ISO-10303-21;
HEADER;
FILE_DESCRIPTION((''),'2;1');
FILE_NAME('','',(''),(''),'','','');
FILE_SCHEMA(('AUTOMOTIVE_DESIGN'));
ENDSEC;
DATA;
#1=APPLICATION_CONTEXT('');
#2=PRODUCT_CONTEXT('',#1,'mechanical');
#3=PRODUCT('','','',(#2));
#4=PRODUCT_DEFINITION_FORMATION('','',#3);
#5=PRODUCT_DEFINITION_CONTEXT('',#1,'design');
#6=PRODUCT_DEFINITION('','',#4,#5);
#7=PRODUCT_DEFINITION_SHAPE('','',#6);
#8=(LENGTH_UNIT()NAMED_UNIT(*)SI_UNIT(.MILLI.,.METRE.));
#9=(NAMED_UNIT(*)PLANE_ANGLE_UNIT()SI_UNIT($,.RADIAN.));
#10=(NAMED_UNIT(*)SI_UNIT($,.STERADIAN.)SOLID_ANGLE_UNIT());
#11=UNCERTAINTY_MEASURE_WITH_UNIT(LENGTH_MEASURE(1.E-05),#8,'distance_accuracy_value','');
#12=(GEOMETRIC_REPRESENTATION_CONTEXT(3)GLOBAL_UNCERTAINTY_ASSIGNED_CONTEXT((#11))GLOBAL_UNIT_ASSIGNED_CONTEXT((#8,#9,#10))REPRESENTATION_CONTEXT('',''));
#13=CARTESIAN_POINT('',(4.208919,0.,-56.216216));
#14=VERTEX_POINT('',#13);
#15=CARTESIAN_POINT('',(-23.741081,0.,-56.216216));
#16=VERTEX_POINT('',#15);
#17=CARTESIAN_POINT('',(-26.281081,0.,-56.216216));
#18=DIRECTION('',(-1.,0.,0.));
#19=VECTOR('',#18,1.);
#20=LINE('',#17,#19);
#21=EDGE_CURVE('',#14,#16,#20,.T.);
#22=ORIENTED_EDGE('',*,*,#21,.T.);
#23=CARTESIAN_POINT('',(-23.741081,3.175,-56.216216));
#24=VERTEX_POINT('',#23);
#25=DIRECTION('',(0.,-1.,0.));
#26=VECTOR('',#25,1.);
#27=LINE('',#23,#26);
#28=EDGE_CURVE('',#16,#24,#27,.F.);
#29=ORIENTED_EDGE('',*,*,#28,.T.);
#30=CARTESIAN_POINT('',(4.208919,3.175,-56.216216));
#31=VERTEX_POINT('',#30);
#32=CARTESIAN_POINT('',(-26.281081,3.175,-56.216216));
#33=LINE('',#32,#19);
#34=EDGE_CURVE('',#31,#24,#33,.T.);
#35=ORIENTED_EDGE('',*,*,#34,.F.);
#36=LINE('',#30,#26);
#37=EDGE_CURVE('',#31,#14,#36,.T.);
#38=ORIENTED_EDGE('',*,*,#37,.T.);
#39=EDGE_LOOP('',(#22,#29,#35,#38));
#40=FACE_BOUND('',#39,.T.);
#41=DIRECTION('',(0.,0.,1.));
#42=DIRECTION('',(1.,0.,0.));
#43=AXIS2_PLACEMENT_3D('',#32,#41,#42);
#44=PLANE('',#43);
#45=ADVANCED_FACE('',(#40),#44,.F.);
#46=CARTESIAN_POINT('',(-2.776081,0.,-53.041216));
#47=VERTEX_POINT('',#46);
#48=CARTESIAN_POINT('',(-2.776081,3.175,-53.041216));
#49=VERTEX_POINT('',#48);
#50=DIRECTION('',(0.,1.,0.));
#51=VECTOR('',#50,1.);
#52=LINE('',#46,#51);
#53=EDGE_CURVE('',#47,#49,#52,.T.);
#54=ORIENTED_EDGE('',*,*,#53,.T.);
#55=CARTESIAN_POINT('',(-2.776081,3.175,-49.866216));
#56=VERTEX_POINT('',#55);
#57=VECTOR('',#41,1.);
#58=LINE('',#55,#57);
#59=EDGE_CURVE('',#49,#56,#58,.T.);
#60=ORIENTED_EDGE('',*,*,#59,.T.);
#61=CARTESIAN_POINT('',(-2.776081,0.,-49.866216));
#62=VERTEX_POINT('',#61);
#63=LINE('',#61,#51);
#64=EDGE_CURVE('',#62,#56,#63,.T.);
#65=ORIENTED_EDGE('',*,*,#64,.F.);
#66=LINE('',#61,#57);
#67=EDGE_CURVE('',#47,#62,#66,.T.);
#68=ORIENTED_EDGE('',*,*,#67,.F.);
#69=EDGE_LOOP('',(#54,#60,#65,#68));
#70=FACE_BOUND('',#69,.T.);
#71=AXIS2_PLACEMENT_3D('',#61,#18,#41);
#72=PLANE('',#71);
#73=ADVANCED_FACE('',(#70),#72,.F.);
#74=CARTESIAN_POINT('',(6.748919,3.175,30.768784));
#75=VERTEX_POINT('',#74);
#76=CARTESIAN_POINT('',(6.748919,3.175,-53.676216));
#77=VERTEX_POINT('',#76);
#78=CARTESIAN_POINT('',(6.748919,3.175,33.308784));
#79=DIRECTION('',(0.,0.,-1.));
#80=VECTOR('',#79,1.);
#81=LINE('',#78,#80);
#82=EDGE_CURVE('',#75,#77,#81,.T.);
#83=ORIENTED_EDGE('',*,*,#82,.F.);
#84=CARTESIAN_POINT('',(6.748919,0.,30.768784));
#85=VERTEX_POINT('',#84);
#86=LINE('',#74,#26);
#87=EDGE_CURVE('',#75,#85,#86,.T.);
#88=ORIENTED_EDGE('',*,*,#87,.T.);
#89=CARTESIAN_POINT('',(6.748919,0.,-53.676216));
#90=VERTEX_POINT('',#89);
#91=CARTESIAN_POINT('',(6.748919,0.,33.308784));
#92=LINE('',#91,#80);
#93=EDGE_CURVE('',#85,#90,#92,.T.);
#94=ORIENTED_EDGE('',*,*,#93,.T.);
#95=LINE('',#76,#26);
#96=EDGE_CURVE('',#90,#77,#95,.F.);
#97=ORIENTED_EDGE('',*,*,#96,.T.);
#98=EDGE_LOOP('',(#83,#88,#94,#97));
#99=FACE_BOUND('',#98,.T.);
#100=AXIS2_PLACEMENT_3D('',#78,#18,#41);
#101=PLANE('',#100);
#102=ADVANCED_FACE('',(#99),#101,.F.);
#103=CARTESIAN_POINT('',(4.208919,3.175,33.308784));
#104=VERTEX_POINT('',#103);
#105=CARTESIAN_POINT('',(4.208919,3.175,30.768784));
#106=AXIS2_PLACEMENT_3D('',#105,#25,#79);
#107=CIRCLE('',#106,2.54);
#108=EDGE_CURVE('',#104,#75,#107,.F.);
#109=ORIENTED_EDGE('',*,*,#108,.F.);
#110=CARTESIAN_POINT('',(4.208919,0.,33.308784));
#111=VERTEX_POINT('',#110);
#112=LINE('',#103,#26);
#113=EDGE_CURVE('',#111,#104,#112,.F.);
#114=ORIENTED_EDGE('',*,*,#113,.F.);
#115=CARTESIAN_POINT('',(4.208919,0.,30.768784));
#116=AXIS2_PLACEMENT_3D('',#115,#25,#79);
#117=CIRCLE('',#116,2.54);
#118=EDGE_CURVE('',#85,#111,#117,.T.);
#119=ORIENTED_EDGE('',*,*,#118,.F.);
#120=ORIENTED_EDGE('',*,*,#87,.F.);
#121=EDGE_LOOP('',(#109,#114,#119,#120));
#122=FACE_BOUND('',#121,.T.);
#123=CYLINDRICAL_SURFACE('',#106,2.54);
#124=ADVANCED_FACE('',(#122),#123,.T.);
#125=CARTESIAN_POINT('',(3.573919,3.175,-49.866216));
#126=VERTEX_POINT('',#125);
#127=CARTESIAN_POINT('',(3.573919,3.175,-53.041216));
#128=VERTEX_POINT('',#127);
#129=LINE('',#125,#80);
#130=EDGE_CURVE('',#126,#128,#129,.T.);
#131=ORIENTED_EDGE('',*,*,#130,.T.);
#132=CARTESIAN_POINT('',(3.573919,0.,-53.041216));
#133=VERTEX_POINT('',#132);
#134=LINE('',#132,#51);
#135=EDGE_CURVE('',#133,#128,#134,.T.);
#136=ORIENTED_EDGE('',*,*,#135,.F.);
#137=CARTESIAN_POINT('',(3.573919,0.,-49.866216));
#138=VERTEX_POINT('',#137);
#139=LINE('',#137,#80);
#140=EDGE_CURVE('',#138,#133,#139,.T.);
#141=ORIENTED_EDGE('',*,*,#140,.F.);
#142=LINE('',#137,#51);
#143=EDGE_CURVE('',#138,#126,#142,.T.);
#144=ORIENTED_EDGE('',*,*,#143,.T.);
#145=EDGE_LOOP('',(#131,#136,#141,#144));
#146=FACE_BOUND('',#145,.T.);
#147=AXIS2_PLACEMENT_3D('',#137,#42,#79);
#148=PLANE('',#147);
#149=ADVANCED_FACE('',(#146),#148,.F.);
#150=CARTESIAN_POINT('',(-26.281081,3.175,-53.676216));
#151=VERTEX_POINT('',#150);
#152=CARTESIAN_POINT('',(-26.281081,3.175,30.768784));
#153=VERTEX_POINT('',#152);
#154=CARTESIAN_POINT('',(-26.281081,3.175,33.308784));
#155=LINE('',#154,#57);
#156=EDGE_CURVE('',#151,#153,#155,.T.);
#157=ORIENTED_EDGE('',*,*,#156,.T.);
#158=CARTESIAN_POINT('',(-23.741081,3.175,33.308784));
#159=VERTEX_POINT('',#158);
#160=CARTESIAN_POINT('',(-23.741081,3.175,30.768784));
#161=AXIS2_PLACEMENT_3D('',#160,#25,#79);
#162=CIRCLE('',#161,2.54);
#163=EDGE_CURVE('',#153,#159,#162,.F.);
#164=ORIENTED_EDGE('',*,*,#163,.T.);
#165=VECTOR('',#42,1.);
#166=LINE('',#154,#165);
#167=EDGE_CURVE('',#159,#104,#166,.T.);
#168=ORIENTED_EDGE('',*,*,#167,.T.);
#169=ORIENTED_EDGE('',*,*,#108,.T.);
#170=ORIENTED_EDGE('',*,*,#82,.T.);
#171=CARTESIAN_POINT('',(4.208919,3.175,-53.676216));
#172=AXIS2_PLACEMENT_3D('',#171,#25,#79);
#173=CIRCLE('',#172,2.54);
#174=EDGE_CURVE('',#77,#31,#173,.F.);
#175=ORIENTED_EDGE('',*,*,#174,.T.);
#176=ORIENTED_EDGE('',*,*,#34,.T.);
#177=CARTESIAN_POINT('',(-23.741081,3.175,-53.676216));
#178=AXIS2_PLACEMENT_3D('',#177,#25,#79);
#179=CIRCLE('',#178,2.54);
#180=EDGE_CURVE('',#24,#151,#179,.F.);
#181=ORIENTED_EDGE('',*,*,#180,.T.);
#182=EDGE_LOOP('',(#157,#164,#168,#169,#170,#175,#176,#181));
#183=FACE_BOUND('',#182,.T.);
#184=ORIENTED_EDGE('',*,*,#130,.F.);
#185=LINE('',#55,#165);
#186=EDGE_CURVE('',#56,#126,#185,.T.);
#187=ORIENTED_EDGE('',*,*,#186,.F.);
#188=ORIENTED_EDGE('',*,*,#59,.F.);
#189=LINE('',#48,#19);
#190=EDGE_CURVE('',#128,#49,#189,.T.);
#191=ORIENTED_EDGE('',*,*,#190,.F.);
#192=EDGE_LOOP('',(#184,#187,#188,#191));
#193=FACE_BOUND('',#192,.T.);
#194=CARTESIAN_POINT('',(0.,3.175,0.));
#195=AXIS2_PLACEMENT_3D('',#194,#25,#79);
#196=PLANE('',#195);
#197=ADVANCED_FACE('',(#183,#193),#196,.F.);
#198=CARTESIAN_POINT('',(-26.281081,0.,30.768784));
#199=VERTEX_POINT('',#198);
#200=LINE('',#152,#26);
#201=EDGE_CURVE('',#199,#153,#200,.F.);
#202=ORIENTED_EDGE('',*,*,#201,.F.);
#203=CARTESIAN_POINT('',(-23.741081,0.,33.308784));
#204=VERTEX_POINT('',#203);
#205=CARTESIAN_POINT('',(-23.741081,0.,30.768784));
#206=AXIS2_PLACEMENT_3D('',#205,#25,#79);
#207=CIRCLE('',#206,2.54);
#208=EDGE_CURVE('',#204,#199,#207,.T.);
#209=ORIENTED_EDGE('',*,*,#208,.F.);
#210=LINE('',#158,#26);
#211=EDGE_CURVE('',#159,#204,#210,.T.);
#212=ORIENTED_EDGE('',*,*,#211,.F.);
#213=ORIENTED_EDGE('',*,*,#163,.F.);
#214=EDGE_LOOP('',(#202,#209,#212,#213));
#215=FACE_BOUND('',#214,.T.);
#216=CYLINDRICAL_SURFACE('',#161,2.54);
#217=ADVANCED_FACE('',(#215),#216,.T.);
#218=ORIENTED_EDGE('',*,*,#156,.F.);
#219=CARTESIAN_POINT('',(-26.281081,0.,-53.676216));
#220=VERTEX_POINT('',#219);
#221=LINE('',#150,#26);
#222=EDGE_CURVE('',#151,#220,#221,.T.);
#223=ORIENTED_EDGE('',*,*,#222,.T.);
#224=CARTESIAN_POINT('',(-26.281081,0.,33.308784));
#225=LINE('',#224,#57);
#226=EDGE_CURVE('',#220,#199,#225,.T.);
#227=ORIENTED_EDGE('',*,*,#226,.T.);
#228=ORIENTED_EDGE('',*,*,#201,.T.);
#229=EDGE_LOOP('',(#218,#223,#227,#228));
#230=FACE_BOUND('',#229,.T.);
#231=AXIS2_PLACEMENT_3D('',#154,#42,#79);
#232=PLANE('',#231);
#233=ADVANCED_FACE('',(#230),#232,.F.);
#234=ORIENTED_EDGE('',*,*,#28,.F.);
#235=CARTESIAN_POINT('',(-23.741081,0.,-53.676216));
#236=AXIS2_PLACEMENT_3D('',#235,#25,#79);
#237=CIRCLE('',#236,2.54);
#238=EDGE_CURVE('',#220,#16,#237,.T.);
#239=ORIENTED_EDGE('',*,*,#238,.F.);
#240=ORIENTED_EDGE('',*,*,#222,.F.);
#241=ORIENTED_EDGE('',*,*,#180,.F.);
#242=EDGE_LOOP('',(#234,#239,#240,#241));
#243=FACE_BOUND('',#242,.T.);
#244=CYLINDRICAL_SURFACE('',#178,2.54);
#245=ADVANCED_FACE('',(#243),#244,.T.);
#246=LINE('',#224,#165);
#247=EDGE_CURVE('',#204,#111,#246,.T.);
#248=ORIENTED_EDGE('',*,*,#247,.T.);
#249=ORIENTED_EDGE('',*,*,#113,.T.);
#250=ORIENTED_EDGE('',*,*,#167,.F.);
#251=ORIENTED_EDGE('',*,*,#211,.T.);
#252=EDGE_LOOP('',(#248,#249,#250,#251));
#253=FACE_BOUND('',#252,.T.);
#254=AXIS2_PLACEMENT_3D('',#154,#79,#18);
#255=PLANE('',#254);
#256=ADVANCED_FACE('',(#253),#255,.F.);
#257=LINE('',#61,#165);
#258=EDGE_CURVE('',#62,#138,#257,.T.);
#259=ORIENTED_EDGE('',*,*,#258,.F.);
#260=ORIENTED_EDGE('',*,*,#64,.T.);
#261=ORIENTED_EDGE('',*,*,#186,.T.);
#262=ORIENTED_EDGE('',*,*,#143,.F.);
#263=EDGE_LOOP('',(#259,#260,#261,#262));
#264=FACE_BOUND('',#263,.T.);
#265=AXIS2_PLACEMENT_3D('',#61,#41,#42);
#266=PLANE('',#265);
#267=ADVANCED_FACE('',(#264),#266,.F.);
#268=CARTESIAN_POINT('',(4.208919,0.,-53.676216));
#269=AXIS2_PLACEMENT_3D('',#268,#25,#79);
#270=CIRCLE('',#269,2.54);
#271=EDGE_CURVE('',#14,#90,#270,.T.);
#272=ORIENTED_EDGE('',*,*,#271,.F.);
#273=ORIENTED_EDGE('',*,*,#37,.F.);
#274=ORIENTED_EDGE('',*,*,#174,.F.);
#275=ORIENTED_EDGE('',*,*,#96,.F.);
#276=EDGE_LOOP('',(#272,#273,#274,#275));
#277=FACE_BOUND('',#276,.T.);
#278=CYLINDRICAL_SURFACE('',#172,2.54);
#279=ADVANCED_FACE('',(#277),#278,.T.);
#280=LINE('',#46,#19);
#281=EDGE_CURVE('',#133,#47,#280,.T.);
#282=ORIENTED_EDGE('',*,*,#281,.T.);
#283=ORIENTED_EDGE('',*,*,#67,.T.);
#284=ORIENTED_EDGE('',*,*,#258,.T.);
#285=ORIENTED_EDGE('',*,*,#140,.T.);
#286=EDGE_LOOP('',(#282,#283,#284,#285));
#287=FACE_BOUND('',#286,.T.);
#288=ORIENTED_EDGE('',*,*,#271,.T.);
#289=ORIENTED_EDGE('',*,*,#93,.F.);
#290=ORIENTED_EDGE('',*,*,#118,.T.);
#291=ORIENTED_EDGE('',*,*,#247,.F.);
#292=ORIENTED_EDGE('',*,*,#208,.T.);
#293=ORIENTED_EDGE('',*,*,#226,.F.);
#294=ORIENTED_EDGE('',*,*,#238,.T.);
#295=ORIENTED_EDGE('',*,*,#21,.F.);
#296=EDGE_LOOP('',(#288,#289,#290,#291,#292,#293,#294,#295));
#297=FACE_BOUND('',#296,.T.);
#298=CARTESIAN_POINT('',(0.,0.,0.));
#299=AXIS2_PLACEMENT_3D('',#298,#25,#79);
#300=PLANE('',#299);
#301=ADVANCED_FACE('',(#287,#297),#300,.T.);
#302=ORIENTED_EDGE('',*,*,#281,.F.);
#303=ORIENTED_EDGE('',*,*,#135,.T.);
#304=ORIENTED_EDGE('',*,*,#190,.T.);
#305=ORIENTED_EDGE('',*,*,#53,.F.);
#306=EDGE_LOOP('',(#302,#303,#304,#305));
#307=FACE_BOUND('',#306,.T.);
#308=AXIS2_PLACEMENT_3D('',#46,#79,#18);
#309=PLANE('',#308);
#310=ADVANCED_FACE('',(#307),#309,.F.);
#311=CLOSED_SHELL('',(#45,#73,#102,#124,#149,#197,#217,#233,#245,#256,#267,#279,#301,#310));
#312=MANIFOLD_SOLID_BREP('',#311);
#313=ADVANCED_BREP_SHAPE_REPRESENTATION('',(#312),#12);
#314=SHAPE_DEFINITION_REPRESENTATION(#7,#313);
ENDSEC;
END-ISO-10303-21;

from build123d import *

# Parameters (mm, degrees)
SKETCH1_W           = 33.03
SKETCH1_H           = 89.525
BOSS_EXTRUDE1_DEPTH = 3.175
SKETCH2_W           = 6.35
SKETCH2_H           = 3.175
CUT_EXTRUDE1_DEPTH  = 63.137257853
FILLET1_R           = 2.54


with BuildPart() as part:
    # Sketch1 → Boss-Extrude1 (new body)
    with BuildSketch(Plane(origin=(0, 0, 0), x_dir=(1, 0, 0), z_dir=(0, 1, 0))):
        with Locations((-9.766081081, 11.453716216)):
            Rectangle(SKETCH1_W, SKETCH1_H)
    extrude(amount=BOSS_EXTRUDE1_DEPTH)

    # Sketch2 → Cut-Extrude1 (cut, through all)
    with BuildSketch(Plane(origin=(0, 3.175, 0), x_dir=(1, 0, 0), z_dir=(0, 1, 0))):
        with Locations((0.398918919, 51.453716216)):
            Rectangle(SKETCH2_W, SKETCH2_H)
    extrude(amount=-CUT_EXTRUDE1_DEPTH, mode=Mode.SUBTRACT)

    # Fillet1
    fillet1_edges = [part.edges().sort_by_distance(p)[0] for p in [
        (-26.281081081, 1.5875, -56.216216216),
        (6.748918919, 1.5875, -56.216216216),
        (6.748918919, 1.5875, 33.308783784),
        (-26.281081081, 1.5875, 33.308783784),
    ]]
    fillet(fillet1_edges, radius=FILLET1_R)


solid = part.part
